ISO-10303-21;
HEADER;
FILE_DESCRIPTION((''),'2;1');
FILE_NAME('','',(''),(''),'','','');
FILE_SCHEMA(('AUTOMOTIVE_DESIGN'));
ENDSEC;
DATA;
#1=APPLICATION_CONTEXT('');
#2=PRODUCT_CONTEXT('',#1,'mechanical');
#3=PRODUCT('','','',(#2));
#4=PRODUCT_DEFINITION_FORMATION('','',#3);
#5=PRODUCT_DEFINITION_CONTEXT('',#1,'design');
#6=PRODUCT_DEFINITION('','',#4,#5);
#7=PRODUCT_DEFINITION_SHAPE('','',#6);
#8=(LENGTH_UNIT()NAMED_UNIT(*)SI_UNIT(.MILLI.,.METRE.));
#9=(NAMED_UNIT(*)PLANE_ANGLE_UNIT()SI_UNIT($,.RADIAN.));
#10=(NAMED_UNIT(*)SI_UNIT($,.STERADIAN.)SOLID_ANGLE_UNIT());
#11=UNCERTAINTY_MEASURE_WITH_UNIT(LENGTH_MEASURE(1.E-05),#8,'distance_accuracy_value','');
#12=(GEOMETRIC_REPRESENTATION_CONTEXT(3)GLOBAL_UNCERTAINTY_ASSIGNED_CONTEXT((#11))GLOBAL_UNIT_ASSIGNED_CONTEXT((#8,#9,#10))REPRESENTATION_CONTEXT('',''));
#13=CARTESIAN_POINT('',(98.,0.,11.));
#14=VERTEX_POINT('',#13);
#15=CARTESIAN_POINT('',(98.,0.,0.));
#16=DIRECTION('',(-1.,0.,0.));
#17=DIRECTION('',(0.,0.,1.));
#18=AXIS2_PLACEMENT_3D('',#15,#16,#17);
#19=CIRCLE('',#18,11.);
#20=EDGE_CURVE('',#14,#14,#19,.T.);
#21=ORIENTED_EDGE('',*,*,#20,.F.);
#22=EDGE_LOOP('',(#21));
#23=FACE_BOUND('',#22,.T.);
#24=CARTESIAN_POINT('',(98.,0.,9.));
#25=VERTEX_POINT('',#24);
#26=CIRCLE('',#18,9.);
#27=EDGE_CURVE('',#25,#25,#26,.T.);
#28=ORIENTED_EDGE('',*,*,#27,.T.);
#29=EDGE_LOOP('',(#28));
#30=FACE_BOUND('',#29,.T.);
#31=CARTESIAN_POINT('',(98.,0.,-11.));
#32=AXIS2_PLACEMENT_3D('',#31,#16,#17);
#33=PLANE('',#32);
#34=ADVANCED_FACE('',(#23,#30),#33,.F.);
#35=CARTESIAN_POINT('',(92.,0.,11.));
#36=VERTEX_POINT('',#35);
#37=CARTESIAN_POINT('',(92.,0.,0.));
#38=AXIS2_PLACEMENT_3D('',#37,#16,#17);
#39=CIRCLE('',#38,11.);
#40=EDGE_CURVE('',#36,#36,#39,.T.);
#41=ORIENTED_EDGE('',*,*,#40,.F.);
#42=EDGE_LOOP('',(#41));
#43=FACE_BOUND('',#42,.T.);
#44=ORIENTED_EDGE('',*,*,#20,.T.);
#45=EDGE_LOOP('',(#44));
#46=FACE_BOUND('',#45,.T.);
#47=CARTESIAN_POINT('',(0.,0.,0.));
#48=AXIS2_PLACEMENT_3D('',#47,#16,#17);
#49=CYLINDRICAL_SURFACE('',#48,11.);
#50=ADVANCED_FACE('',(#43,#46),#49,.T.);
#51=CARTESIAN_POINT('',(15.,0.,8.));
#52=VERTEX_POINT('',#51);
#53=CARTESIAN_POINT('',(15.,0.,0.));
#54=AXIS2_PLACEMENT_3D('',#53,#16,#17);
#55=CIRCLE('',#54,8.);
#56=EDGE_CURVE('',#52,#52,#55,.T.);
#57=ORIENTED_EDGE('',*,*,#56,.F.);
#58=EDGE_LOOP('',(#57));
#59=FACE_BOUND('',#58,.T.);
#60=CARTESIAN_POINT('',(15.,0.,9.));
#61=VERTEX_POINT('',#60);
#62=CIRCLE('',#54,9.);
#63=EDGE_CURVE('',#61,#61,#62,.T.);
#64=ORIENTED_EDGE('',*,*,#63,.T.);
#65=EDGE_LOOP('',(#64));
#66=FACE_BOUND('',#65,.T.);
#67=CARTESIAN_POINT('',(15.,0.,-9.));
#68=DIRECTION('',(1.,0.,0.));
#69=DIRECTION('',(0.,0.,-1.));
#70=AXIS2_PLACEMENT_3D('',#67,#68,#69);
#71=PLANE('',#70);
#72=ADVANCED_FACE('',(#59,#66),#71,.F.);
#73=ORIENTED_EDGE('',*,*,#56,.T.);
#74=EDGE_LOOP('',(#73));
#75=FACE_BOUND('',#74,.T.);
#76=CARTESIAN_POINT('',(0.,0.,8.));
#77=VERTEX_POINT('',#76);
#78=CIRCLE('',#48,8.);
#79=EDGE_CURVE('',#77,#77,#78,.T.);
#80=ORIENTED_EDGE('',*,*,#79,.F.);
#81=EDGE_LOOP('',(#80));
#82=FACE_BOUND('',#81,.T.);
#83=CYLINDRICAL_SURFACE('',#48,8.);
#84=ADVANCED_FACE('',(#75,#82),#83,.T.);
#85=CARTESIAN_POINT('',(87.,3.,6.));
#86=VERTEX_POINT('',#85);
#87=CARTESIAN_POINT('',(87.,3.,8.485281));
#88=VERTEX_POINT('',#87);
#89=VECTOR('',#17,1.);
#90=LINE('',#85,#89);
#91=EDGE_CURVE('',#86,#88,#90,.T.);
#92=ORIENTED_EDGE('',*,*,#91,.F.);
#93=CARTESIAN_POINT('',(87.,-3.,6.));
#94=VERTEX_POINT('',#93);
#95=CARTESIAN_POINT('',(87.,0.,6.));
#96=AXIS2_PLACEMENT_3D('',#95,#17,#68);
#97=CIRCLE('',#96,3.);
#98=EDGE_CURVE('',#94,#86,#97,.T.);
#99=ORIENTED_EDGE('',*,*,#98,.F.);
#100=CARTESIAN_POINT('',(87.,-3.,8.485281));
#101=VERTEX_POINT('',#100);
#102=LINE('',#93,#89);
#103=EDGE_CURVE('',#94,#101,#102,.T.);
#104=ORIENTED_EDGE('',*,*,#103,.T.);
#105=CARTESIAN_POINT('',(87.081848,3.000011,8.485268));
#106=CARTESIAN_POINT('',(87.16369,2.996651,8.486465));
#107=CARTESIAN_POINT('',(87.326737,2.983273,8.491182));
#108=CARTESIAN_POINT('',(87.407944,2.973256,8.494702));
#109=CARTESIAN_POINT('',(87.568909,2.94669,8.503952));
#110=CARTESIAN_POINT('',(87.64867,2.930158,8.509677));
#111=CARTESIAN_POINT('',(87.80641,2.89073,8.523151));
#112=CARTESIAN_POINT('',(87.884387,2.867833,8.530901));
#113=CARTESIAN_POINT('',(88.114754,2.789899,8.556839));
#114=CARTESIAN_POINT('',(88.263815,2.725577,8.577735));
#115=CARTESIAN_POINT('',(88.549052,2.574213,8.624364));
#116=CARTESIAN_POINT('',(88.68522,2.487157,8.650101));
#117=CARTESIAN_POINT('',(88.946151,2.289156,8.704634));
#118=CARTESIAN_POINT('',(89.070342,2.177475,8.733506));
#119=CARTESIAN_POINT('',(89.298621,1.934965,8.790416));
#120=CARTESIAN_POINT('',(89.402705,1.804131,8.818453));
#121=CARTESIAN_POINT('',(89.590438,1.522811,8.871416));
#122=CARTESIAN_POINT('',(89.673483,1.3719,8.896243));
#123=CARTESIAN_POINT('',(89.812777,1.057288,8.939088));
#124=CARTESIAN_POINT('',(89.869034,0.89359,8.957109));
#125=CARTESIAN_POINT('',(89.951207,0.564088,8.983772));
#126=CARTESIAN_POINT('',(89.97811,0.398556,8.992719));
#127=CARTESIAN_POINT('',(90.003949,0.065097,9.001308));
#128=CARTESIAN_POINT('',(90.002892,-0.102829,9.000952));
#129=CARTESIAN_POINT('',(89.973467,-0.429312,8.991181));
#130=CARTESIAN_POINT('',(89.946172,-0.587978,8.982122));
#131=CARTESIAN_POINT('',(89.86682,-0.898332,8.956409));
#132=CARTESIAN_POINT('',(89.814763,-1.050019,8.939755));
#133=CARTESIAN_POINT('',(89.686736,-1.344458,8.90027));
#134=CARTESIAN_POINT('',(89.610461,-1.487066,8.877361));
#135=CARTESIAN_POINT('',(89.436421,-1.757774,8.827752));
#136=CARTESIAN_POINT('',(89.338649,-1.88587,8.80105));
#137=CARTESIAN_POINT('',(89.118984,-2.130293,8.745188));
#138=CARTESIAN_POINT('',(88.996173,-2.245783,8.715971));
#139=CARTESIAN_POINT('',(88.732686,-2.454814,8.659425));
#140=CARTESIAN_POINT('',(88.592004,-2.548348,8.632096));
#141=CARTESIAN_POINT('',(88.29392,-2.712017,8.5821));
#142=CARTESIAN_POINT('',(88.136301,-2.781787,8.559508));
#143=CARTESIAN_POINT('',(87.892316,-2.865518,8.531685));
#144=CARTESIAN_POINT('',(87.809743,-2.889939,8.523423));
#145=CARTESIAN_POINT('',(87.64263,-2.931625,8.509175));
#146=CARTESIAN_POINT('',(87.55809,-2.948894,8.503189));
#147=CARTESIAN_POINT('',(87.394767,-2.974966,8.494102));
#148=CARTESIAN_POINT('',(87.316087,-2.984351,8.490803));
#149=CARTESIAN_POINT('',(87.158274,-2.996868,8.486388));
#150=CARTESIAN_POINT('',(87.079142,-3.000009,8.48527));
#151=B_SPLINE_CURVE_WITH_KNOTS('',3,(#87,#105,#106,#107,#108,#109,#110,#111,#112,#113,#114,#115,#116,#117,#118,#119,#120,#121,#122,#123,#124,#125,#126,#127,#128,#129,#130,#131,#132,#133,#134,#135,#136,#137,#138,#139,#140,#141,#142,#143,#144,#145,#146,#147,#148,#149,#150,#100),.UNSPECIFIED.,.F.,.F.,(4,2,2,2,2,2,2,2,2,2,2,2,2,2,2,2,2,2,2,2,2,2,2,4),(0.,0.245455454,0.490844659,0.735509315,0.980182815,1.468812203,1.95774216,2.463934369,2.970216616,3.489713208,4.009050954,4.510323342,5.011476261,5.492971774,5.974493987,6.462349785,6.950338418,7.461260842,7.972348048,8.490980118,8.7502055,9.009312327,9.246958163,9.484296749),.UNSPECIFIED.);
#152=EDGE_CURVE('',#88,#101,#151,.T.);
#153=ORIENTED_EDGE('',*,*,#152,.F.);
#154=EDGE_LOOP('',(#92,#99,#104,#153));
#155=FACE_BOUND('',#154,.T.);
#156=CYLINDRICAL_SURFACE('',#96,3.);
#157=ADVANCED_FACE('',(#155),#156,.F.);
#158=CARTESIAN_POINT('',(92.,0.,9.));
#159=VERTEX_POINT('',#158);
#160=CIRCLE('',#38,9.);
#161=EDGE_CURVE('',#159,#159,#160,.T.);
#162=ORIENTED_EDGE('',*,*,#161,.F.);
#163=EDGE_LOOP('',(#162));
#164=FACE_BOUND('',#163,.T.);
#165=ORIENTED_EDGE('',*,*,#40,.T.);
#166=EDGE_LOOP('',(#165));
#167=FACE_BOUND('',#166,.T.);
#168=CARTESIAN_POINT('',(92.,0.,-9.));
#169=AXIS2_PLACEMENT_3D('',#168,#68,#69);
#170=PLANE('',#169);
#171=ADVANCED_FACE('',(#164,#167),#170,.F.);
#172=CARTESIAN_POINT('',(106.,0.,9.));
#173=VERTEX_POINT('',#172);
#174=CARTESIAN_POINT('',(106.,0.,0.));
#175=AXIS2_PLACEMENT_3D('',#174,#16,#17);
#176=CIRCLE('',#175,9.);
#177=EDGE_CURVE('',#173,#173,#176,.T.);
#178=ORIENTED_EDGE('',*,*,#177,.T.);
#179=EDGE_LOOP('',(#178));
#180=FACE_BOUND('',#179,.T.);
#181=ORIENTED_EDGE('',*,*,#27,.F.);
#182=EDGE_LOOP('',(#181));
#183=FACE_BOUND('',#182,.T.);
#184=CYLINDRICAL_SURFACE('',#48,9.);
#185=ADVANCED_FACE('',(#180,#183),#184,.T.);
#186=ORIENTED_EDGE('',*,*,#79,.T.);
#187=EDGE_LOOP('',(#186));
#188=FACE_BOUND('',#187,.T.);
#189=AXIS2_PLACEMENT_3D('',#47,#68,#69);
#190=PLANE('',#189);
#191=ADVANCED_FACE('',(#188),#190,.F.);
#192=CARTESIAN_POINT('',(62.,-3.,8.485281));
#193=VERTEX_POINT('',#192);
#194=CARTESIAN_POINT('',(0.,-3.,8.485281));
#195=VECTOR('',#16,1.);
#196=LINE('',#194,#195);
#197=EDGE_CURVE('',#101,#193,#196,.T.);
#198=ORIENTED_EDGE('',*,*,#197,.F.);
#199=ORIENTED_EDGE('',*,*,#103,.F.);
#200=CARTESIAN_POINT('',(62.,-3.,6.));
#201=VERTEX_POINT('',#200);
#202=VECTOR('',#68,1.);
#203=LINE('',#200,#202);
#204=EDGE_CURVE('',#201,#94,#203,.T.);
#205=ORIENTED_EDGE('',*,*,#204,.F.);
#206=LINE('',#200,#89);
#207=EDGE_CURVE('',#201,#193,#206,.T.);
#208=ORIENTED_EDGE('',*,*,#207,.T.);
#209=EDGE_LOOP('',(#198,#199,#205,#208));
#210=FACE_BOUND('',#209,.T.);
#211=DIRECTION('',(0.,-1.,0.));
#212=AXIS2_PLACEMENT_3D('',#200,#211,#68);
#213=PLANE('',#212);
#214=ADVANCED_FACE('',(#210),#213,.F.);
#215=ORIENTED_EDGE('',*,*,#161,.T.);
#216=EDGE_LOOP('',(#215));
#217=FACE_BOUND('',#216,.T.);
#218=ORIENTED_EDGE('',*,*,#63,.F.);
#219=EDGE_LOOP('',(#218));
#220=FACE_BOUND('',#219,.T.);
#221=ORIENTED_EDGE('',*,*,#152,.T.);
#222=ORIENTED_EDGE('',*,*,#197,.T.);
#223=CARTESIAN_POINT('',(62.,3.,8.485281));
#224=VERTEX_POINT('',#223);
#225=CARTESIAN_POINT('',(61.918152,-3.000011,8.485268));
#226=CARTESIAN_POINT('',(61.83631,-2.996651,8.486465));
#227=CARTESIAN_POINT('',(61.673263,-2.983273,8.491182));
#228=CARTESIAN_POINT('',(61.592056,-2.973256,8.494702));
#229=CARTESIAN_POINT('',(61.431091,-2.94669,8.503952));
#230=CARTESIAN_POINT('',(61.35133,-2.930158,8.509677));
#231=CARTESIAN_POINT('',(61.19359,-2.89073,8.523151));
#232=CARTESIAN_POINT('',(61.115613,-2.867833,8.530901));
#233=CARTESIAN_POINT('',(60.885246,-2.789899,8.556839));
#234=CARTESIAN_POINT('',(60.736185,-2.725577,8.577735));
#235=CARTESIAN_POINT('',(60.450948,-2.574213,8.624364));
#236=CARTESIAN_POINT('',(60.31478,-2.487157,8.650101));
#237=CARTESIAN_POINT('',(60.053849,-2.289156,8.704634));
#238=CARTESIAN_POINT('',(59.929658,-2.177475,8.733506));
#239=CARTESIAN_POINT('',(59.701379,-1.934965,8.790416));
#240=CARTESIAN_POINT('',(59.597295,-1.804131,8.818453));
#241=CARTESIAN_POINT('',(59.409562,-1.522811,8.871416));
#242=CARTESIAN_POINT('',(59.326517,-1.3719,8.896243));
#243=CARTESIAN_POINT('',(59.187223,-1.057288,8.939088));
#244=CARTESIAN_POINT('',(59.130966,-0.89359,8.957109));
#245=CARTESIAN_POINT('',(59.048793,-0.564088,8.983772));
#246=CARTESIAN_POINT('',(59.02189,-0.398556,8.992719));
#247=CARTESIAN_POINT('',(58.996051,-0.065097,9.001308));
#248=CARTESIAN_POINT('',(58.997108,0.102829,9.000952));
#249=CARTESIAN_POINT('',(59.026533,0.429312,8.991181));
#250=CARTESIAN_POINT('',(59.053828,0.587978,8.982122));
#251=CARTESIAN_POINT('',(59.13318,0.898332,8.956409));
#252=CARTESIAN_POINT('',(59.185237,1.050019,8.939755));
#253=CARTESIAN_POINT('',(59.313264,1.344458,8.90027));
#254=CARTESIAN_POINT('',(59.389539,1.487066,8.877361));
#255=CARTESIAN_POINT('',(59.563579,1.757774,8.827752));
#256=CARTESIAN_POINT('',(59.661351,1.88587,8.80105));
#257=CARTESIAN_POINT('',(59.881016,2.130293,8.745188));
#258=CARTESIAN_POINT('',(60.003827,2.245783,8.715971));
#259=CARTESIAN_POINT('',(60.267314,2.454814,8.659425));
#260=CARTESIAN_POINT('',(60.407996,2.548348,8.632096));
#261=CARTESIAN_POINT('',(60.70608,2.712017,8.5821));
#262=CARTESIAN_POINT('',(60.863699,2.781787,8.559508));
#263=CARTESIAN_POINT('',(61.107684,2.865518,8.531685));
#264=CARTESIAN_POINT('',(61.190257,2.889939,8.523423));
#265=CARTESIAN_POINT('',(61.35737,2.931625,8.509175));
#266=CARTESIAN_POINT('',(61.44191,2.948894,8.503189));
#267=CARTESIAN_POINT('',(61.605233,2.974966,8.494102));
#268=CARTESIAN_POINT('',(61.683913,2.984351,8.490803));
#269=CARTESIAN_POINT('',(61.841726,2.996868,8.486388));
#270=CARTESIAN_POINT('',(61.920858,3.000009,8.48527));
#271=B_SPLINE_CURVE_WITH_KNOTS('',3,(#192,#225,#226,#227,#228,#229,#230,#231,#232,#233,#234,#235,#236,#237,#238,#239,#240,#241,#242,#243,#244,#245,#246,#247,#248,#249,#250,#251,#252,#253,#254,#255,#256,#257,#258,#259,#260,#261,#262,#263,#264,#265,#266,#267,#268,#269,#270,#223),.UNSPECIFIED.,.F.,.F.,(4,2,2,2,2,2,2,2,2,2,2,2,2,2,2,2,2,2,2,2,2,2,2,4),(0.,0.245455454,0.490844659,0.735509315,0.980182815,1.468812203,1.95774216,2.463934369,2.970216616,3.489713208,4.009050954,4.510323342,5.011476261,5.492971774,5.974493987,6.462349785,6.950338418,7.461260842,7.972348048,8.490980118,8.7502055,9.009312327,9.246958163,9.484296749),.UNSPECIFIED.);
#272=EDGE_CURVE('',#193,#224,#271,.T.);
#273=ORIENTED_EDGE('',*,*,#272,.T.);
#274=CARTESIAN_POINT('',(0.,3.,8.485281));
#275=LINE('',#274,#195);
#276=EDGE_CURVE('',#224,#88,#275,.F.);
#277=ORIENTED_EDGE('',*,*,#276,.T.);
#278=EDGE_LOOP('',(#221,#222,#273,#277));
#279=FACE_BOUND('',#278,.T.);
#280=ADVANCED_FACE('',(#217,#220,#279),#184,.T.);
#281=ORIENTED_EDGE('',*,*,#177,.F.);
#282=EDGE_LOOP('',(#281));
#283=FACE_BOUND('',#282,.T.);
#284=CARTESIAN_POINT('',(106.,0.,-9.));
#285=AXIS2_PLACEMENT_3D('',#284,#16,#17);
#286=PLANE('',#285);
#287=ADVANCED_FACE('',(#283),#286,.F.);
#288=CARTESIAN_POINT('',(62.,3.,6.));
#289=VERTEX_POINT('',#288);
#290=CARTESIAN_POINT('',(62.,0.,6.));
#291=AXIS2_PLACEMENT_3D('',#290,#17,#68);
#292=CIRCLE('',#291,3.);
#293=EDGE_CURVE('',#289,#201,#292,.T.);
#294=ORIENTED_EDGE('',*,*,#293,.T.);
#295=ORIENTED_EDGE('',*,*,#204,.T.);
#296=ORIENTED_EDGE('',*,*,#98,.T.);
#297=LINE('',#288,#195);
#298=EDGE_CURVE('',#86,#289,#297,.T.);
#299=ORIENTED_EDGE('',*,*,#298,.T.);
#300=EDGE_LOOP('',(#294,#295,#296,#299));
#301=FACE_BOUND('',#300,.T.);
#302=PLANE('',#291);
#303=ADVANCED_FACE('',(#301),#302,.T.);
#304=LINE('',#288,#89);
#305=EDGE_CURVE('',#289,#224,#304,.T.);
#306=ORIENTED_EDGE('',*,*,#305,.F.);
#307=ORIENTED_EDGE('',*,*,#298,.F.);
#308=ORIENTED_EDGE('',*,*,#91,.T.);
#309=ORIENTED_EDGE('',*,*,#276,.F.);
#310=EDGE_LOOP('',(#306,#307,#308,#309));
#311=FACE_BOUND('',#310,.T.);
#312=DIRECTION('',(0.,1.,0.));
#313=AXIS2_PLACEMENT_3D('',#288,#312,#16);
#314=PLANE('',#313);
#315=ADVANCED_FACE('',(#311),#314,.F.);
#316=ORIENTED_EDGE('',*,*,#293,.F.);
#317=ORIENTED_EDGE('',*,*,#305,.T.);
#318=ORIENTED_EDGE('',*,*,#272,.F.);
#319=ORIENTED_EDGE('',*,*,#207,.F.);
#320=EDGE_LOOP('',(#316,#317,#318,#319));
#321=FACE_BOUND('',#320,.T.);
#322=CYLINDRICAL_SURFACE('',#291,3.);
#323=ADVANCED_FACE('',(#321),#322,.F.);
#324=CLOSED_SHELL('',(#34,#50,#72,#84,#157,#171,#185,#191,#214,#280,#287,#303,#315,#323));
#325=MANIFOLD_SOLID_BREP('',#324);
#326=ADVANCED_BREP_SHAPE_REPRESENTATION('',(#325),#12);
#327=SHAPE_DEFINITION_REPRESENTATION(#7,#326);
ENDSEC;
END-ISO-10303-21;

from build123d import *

# Parameters (mm, degrees)
CUT_EXTRUDE_2_DEPTH = 3


with BuildPart() as part:
    # 草图2 → 旋转1 (revolve)
    with BuildSketch(Plane(origin=(0, 0, 0), x_dir=(1, 0, 0), z_dir=(0, 1, 0))):
        Polygon((0, 0), (0, 8), (15, 8), (15, 9), (92, 9), (92, 11), (98, 11), (98, 9), (106, 9), (106, 0), align=None)
    revolve(axis=Axis((0, 0, 0), (1, 0, 0)))

    # 草图4 → 切除-拉伸2 (cut)
    with BuildSketch(Plane.XY.offset(9)):
        with BuildLine():
            Line((62, 3), (87, 3))
            ThreePointArc((87, 3), (90, 0), (87, -3))
            Line((87, -3), (62, -3))
            ThreePointArc((62, -3), (59, 0), (62, 3))
        make_face()
    extrude(amount=-CUT_EXTRUDE_2_DEPTH, mode=Mode.SUBTRACT)


solid = part.part
